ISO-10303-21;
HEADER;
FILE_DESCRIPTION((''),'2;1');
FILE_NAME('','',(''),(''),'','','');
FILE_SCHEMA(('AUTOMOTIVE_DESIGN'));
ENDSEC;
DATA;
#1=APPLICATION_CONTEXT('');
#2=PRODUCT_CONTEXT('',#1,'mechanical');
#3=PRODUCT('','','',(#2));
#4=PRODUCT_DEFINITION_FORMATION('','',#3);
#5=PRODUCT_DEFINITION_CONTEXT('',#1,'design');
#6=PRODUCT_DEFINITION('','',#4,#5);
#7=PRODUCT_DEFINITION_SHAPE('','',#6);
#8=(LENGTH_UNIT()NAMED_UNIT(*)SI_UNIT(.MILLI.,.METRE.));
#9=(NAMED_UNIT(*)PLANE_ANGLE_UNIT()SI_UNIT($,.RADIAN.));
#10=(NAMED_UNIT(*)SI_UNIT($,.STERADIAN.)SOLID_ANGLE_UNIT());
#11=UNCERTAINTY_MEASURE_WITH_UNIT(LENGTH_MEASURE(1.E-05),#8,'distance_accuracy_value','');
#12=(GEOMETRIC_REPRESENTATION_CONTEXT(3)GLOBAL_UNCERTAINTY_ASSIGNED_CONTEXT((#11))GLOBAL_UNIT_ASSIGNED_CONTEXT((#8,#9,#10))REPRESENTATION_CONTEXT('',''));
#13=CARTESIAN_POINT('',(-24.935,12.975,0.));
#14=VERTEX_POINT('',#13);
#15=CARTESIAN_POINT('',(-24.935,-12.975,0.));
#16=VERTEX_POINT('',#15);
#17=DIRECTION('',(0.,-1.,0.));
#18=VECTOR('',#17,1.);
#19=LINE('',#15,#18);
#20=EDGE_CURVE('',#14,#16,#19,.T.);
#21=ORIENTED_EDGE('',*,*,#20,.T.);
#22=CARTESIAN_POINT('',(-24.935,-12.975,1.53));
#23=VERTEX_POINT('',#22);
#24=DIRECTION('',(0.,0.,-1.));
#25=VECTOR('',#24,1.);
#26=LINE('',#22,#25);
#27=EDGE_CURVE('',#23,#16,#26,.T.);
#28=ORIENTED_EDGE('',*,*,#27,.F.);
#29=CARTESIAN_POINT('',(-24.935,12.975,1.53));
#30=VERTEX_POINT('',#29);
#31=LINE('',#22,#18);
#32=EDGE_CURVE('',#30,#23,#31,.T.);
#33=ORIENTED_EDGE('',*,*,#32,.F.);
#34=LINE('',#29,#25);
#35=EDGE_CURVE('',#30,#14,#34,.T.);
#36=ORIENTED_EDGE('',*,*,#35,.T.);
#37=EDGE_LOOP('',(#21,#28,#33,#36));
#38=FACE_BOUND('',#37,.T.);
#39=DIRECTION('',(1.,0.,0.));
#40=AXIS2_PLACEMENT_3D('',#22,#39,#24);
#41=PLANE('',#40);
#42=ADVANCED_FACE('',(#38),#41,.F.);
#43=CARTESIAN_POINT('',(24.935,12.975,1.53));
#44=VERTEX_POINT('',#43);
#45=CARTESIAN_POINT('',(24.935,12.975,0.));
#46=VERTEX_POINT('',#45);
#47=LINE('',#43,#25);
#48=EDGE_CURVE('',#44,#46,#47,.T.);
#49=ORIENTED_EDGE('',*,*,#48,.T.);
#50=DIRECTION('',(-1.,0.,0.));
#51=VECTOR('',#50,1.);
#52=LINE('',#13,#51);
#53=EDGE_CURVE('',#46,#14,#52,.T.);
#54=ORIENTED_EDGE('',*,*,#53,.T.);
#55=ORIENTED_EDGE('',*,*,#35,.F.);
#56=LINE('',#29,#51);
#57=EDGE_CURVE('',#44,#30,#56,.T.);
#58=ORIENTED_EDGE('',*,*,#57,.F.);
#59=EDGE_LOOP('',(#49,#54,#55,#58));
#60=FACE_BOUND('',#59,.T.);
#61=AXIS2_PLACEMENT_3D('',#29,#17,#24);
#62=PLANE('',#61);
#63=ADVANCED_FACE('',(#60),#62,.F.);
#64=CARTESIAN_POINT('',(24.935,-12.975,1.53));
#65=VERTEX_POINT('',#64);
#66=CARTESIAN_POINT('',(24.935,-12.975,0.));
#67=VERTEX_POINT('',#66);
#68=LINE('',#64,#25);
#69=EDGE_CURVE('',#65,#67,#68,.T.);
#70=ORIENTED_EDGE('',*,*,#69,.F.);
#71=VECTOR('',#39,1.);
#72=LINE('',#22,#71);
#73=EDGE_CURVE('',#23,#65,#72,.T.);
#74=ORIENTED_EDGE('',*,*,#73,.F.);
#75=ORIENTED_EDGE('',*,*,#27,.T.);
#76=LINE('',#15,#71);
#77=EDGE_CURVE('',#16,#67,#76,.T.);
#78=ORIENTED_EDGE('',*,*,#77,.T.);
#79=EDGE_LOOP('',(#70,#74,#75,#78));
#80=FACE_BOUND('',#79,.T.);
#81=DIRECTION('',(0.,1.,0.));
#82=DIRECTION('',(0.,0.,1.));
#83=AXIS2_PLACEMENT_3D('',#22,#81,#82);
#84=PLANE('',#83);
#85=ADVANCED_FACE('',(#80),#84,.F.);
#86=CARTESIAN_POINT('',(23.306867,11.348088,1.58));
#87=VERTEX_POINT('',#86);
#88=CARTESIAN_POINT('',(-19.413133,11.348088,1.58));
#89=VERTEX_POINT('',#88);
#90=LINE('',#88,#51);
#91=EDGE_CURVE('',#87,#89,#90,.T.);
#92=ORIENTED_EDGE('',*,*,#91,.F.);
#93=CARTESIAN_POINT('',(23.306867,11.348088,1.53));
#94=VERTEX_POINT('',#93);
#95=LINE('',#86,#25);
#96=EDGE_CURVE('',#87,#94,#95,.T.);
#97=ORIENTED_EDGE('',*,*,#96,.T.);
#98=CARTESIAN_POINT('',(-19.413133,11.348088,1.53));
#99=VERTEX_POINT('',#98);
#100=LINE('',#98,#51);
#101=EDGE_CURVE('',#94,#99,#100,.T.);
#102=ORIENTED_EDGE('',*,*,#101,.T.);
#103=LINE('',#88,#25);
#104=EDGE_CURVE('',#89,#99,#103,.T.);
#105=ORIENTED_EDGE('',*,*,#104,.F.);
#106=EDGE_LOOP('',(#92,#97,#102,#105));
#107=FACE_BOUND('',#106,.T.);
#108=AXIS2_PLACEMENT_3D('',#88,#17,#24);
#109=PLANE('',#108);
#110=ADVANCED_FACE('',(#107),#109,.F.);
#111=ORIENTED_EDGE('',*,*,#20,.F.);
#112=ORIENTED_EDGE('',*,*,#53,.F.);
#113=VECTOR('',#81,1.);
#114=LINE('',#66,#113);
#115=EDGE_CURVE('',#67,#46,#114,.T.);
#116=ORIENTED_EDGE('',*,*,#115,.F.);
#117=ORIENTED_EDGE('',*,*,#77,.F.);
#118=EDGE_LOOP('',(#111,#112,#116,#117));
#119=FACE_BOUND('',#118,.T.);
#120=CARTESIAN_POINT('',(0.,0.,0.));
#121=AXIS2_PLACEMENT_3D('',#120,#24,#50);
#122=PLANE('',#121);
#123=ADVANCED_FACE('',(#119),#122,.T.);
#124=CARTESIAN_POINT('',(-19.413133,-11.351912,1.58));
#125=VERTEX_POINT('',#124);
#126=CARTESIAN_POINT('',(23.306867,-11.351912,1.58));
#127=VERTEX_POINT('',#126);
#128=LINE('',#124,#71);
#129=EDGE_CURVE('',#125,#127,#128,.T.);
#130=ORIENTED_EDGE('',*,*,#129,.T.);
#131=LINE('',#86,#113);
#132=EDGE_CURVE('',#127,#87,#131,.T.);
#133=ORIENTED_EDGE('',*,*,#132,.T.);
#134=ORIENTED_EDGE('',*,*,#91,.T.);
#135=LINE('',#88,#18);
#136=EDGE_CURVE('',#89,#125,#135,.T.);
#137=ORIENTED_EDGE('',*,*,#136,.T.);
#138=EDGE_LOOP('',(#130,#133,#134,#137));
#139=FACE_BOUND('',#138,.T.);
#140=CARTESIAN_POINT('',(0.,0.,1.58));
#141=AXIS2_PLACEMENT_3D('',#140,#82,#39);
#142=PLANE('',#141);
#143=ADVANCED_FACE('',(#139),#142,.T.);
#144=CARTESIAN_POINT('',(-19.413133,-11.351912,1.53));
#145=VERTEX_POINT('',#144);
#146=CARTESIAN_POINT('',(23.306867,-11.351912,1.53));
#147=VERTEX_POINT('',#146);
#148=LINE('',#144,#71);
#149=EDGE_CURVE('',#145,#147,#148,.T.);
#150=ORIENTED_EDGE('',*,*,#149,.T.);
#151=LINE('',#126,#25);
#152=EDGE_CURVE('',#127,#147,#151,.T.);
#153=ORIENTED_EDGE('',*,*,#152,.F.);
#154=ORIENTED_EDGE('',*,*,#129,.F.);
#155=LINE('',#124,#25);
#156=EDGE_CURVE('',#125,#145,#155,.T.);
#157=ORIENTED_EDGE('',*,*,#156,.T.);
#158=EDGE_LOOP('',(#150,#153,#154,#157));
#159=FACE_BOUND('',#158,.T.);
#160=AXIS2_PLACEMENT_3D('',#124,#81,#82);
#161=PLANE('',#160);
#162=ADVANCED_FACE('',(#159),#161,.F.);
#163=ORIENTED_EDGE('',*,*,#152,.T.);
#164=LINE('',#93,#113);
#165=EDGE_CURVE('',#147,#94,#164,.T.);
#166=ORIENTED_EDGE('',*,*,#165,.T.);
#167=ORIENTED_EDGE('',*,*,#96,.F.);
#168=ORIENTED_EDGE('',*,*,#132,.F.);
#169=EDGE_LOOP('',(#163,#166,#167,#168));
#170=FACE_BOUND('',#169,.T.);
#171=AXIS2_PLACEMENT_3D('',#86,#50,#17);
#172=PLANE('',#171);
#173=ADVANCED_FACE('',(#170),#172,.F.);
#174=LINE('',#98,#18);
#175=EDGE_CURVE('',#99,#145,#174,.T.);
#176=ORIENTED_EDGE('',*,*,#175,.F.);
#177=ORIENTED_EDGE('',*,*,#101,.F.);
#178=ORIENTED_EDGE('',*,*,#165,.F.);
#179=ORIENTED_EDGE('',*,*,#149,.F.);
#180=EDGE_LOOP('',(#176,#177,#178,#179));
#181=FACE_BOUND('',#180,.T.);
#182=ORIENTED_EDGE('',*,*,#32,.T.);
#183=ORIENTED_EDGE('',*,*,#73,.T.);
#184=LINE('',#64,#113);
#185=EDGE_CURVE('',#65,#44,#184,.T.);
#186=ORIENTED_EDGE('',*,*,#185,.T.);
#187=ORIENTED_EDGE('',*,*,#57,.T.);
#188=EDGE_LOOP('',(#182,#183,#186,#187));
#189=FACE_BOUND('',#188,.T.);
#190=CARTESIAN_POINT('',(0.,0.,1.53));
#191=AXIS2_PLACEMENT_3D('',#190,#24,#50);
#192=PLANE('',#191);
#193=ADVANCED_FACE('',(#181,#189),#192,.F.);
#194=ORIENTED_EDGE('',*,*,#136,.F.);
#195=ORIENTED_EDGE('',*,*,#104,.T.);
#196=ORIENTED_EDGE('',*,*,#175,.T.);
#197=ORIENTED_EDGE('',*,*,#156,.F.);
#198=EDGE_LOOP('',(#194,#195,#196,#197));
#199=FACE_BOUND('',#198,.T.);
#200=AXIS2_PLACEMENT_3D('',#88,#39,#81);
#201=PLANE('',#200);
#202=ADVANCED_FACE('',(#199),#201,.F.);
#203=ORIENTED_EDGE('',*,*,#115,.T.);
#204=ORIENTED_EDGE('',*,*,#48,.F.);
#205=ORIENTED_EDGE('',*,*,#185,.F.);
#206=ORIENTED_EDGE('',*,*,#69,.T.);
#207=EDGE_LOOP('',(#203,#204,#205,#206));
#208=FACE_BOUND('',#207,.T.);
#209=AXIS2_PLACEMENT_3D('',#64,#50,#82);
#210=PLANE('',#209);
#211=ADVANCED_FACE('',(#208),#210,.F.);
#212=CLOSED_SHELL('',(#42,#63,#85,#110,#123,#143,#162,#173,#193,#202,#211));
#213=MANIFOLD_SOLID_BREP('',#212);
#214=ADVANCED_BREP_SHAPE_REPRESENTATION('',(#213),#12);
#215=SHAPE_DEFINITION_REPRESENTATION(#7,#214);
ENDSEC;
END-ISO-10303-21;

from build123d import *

# Parameters (mm, degrees)
ESQUISSE1_W        = 49.87
ESQUISSE1_H        = 25.95
BOSS_EXTRU_1_DEPTH = 1.53
ESQUISSE2_W        = 42.72
ESQUISSE2_H        = 22.7
BOSS_EXTRU_2_DEPTH = 0.05


with BuildPart() as part:
    # Esquisse1 → Boss.-Extru.1 (new body)
    with BuildSketch(Plane.XY):
        Rectangle(ESQUISSE1_W, ESQUISSE1_H)
    extrude(amount=BOSS_EXTRU_1_DEPTH)

    # Esquisse2 → Boss.-Extru.2 (add)
    with BuildSketch(Plane.XY.offset(1.53)):
        with Locations((1.946866865, -0.001912159)):
            Rectangle(ESQUISSE2_W, ESQUISSE2_H)
    extrude(amount=BOSS_EXTRU_2_DEPTH)


solid = part.part
